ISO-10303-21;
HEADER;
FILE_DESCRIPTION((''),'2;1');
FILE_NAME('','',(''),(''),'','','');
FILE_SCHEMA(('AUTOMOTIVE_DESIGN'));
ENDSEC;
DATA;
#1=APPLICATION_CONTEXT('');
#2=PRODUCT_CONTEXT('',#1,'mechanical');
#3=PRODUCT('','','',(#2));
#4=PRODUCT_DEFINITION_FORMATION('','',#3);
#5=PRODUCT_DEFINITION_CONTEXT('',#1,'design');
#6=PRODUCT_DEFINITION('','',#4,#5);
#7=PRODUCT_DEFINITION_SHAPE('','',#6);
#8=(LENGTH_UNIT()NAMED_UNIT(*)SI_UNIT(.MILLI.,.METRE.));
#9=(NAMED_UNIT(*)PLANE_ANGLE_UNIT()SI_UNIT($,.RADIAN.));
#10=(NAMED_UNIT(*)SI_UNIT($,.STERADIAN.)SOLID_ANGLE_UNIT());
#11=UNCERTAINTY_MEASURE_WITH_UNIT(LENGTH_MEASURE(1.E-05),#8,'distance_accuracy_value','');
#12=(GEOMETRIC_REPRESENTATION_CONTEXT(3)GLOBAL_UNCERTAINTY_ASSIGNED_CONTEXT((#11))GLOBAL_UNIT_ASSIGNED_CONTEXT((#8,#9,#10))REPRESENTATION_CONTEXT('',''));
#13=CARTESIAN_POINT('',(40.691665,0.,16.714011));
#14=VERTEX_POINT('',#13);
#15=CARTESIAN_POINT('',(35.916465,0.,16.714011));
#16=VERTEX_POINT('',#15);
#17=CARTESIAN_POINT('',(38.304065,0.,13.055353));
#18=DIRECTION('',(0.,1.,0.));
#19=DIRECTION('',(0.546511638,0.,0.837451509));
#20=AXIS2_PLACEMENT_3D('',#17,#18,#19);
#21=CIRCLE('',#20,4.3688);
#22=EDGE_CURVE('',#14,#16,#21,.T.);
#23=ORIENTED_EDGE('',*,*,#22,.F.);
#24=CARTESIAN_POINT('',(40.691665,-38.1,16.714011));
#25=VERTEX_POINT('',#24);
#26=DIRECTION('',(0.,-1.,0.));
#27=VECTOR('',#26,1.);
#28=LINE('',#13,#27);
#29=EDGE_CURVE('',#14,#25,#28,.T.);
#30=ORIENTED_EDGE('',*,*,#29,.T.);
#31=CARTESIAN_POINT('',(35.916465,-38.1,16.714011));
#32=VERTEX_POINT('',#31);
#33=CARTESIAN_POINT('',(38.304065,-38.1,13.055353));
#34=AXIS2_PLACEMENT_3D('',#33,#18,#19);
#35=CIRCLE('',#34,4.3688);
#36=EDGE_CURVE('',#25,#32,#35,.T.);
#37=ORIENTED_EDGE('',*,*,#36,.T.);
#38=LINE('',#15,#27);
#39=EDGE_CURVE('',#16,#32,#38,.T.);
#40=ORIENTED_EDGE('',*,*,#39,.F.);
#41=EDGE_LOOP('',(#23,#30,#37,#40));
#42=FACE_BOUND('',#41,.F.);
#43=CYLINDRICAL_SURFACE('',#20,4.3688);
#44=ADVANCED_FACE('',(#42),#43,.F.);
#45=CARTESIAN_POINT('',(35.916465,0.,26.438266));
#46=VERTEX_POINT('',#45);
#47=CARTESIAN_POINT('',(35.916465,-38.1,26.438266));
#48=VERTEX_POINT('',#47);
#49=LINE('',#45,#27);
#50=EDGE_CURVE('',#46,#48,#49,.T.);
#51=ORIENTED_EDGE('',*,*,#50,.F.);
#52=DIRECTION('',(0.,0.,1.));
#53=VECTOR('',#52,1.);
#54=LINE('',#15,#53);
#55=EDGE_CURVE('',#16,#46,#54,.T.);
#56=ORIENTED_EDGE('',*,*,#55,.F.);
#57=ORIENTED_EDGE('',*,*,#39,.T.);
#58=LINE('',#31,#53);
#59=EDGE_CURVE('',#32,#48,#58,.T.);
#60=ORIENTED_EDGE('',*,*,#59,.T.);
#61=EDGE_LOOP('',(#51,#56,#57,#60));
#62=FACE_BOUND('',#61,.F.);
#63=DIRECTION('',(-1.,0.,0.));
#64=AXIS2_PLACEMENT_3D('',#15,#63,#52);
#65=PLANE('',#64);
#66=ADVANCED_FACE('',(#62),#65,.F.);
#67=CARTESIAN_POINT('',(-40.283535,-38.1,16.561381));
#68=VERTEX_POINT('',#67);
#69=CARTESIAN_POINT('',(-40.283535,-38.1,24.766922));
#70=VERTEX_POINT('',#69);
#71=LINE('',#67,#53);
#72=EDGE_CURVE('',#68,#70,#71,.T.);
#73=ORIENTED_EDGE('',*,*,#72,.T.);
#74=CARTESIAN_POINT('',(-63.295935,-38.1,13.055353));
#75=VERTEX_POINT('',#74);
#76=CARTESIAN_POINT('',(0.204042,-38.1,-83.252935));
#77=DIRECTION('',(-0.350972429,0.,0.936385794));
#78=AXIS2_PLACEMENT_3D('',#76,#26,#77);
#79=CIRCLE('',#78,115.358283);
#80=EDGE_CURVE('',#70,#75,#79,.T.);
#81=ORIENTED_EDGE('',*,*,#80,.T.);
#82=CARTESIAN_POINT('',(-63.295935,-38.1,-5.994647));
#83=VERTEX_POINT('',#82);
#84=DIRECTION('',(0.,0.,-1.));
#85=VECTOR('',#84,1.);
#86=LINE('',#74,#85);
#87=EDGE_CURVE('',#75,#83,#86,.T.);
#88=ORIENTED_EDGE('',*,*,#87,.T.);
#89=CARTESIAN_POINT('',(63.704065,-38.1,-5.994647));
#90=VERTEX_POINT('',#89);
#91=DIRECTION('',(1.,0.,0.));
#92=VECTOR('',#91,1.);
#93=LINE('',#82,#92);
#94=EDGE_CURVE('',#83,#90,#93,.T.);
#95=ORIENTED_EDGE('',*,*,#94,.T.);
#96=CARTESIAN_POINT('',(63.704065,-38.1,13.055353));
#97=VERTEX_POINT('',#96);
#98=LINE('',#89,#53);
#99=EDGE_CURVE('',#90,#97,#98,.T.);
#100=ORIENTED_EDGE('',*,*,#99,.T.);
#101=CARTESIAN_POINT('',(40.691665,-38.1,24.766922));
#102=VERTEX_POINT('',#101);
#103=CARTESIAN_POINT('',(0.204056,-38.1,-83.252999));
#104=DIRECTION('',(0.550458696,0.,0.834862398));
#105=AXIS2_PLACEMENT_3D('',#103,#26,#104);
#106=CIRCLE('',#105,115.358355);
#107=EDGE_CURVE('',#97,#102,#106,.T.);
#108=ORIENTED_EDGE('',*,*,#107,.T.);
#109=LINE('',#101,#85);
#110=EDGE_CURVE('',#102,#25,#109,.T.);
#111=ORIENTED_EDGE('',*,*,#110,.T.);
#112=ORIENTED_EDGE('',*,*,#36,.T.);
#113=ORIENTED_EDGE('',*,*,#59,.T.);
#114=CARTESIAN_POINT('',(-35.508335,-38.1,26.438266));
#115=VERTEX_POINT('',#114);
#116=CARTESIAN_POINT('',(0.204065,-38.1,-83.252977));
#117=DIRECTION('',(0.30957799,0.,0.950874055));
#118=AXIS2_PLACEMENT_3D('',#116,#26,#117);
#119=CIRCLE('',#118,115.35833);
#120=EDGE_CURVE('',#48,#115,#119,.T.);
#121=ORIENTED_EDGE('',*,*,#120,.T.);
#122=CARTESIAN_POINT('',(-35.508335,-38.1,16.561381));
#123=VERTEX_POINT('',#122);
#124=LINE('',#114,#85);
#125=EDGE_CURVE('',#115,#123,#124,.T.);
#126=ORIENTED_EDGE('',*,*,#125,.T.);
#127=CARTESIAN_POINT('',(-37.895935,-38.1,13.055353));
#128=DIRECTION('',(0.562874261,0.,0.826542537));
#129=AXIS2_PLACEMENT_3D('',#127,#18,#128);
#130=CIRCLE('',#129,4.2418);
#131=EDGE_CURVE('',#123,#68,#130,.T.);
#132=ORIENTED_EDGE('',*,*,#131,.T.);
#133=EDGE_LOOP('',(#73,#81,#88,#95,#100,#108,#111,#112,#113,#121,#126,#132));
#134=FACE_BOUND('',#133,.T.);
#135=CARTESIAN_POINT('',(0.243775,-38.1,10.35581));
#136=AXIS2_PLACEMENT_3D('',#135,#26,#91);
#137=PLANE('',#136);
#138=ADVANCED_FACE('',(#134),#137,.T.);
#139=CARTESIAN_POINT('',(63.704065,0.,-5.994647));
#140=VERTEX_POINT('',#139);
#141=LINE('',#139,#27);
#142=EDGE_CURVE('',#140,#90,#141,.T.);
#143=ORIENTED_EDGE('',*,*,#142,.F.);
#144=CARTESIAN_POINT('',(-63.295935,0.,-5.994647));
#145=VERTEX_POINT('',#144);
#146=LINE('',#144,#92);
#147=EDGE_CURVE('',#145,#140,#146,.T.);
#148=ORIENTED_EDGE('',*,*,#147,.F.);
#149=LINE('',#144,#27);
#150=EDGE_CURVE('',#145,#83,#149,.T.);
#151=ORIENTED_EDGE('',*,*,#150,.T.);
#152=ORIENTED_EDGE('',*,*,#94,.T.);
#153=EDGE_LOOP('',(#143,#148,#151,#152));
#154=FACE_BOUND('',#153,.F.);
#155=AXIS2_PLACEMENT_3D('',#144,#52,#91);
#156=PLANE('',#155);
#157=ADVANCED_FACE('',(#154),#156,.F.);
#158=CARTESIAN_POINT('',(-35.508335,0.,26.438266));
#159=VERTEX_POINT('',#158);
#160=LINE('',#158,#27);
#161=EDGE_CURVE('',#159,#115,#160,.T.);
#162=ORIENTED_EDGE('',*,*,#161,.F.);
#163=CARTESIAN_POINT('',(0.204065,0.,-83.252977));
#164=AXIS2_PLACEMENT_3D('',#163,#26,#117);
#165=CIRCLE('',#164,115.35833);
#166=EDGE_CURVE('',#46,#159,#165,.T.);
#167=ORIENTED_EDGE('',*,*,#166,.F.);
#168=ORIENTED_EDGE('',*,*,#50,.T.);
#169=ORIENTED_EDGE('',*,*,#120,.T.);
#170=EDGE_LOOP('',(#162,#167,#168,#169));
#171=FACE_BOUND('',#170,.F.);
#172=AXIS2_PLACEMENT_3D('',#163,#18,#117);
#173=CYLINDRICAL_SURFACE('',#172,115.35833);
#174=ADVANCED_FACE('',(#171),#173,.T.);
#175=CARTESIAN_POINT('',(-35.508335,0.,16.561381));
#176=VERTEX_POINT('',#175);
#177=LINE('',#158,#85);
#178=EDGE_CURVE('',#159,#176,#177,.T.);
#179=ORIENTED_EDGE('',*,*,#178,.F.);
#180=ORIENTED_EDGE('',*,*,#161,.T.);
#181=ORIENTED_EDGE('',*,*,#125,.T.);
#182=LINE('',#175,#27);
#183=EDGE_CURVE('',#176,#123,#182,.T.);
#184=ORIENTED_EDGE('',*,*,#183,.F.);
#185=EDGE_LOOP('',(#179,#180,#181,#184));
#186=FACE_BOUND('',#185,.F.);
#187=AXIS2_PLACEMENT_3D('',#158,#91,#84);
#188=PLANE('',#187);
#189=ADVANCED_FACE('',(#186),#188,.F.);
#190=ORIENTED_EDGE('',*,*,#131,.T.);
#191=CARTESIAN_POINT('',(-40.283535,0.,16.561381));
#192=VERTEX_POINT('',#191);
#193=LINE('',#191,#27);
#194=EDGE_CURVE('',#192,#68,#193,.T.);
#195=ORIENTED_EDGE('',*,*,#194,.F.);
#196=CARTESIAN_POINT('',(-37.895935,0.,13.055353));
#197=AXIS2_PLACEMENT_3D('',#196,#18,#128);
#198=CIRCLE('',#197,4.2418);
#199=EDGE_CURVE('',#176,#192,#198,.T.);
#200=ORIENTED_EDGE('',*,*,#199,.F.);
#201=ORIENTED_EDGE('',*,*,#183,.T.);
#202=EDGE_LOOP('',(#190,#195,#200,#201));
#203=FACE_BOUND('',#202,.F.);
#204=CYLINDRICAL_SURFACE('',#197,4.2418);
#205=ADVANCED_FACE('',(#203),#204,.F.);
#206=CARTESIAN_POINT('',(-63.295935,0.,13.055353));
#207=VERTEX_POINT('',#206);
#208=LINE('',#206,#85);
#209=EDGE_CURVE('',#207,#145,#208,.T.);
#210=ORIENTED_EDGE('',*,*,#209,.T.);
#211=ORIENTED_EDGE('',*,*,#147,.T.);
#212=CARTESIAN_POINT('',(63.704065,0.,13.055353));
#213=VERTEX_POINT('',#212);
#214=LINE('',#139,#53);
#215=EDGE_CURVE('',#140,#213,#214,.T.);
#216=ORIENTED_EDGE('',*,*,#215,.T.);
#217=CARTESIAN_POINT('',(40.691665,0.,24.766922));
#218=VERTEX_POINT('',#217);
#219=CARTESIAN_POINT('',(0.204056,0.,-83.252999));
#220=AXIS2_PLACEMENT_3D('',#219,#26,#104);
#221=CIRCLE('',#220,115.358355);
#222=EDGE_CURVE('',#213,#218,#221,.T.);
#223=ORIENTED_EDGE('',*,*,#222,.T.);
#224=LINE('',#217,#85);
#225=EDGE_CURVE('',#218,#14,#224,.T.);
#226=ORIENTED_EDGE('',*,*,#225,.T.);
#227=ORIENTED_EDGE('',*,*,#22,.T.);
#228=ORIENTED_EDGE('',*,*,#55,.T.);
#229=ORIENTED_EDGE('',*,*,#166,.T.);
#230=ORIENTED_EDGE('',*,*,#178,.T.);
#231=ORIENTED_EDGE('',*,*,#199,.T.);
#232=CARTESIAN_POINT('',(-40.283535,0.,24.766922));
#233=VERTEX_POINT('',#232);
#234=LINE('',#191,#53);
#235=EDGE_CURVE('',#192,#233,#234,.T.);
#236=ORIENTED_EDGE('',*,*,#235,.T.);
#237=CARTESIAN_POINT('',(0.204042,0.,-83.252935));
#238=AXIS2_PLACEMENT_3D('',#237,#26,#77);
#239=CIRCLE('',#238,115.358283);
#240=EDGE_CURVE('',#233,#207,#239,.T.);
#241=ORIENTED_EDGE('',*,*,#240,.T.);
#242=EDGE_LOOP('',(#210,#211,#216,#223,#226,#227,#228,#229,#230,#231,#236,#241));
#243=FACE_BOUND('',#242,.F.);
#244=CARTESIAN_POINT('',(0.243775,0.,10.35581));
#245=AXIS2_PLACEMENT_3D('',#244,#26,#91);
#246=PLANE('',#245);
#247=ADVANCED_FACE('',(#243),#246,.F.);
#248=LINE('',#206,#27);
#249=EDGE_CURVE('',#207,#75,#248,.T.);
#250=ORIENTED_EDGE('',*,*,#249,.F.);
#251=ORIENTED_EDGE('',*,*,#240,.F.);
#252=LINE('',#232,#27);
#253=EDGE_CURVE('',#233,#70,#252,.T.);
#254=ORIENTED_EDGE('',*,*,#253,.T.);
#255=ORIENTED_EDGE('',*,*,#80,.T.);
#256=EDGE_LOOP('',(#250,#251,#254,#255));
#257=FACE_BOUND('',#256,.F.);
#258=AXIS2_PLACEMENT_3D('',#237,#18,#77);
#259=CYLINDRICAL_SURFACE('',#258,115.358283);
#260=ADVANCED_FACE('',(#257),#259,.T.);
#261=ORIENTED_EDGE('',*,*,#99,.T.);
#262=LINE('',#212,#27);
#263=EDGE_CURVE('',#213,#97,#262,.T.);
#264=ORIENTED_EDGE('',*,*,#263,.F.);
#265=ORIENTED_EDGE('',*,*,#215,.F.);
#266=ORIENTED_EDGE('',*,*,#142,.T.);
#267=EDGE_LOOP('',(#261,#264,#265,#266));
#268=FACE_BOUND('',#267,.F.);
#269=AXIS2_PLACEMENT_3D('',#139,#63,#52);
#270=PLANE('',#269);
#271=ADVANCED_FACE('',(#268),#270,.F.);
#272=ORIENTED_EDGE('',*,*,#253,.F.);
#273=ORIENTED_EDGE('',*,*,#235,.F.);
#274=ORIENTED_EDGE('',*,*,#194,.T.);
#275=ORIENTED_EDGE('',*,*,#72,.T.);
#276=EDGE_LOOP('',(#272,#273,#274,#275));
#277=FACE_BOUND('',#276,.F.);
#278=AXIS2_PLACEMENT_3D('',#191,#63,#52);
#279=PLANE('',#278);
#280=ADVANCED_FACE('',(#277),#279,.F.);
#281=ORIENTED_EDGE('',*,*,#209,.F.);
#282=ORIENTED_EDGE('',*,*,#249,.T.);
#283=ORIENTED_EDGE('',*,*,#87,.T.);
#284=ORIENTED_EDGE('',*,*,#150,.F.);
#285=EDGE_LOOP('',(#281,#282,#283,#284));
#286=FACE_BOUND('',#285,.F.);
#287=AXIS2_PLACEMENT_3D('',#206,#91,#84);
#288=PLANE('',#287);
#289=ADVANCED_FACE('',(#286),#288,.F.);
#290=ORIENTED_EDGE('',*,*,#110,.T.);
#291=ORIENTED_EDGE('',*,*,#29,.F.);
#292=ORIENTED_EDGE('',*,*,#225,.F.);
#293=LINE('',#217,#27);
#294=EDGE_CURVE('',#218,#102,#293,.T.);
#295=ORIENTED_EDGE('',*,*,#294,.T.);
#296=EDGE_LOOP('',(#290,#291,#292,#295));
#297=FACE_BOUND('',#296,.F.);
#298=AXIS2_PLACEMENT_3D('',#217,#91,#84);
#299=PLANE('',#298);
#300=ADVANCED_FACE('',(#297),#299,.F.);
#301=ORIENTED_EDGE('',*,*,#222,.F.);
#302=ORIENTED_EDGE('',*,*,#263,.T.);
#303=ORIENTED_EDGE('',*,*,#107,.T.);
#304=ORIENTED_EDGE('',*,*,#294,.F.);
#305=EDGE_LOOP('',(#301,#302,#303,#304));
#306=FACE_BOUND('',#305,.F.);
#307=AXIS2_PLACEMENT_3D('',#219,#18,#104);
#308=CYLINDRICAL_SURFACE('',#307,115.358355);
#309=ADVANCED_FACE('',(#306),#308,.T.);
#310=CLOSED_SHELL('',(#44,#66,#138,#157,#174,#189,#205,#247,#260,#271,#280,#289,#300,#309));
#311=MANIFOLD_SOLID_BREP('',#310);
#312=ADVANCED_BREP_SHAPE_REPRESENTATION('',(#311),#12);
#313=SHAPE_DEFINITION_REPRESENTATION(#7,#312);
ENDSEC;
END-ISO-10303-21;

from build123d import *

# Parameters (mm, degrees)
F1_DEPTH = 38.1


with BuildPart() as f1:
    # F0 (on Front) → F1 (new body)
    with BuildSketch(Plane.XZ):
        with BuildLine():
            Line((-63.295935, 13.055353), (-63.295935, -5.994647))
            Line((-63.295935, -5.994647), (63.704065, -5.994647))
            Line((63.704065, -5.994647), (63.704065, 13.055353))
            ThreePointArc((63.704065, 13.055353), (52.526578, 19.557037), (40.691665, 24.766922))
            Line((40.691665, 24.766922), (40.691665, 16.714011))
            ThreePointArc((40.691665, 16.714011), (38.304065, 8.686553), (35.916465, 16.714011))
            Line((35.916465, 16.714011), (35.916465, 26.438266))
            ThreePointArc((35.916465, 26.438266), (0.204065, 32.105353), (-35.508335, 26.438266))
            Line((-35.508335, 26.438266), (-35.508335, 23.897591))
            Line((-35.508335, 23.897591), (-35.508335, 16.561381))
            ThreePointArc((-35.508335, 16.561381), (-37.895935, 8.813553), (-40.283535, 16.561381))
            Line((-40.283535, 16.561381), (-40.283535, 24.766922))
            ThreePointArc((-40.283535, 24.766922), (-52.118449, 19.557037), (-63.295935, 13.055353))
        make_face()
    extrude(amount=F1_DEPTH)


solid = f1.part
